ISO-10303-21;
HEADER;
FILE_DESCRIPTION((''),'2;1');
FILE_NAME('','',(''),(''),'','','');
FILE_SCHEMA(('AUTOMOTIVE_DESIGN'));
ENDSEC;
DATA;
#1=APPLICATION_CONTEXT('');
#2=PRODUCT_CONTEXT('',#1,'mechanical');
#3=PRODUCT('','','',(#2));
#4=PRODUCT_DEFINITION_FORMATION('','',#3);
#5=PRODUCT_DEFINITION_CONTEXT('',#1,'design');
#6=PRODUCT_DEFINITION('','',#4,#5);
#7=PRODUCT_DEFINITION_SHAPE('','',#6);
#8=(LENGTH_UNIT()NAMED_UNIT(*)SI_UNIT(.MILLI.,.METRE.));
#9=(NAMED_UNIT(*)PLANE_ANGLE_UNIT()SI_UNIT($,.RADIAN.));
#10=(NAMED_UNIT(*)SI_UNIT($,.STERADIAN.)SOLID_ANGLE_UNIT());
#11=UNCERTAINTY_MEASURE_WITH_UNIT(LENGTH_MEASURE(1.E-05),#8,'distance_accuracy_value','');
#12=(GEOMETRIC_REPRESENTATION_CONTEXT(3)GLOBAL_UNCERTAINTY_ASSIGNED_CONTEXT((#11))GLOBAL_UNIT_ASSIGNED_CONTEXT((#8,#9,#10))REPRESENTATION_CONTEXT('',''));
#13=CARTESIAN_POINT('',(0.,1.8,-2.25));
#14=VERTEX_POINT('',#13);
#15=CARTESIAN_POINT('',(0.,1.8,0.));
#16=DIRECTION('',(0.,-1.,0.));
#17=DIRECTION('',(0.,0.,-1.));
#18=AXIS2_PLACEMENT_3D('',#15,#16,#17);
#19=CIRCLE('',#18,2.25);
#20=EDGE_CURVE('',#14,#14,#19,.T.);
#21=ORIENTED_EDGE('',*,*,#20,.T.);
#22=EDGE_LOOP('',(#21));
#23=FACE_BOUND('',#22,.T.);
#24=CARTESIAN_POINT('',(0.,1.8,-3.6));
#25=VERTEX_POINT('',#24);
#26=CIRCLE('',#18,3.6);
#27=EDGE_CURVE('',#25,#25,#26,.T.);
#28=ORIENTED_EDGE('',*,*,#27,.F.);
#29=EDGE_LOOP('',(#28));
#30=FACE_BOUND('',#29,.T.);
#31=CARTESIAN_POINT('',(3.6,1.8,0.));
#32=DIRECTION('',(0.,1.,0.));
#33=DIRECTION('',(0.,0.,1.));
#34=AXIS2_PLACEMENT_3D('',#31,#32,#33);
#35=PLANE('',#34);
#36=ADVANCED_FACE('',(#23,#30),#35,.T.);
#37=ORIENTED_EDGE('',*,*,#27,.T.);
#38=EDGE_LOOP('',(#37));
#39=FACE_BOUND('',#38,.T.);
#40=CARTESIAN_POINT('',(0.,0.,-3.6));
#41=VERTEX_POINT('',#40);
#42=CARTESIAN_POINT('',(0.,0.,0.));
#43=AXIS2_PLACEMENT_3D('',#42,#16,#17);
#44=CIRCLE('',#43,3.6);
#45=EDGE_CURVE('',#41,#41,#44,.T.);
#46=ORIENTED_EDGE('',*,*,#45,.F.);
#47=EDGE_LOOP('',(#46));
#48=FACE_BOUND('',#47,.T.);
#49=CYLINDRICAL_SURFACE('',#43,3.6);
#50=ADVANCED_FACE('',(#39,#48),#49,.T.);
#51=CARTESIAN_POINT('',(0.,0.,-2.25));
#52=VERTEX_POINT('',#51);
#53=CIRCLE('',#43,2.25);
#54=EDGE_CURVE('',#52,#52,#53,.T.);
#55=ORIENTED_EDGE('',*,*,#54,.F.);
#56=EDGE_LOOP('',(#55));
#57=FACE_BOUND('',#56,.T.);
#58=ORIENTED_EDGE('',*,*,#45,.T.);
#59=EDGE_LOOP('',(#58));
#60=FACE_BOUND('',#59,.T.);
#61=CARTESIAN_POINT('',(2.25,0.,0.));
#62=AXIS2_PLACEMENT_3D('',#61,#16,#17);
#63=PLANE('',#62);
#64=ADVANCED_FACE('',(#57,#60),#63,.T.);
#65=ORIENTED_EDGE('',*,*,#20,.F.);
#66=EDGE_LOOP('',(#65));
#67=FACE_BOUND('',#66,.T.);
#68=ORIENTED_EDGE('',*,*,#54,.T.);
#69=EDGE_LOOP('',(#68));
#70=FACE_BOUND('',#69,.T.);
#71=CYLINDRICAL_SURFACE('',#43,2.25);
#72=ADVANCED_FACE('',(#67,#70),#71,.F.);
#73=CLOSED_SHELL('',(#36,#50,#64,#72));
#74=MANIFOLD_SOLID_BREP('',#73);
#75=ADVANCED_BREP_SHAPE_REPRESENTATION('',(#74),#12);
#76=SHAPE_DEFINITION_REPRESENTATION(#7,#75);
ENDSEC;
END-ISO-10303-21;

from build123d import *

# Parameters (mm, degrees)
SKETCH_1_W = 1.35
SKETCH_1_H = 1.8


with BuildPart() as part:
    # Эскиз1 → Повернуть1 (revolve)
    with BuildSketch(Plane.XY):
        with Locations((2.925, 0.9)):
            Rectangle(SKETCH_1_W, SKETCH_1_H)
    revolve(axis=Axis((0, 0, 0), (0, 1, 0)))


solid = part.part
